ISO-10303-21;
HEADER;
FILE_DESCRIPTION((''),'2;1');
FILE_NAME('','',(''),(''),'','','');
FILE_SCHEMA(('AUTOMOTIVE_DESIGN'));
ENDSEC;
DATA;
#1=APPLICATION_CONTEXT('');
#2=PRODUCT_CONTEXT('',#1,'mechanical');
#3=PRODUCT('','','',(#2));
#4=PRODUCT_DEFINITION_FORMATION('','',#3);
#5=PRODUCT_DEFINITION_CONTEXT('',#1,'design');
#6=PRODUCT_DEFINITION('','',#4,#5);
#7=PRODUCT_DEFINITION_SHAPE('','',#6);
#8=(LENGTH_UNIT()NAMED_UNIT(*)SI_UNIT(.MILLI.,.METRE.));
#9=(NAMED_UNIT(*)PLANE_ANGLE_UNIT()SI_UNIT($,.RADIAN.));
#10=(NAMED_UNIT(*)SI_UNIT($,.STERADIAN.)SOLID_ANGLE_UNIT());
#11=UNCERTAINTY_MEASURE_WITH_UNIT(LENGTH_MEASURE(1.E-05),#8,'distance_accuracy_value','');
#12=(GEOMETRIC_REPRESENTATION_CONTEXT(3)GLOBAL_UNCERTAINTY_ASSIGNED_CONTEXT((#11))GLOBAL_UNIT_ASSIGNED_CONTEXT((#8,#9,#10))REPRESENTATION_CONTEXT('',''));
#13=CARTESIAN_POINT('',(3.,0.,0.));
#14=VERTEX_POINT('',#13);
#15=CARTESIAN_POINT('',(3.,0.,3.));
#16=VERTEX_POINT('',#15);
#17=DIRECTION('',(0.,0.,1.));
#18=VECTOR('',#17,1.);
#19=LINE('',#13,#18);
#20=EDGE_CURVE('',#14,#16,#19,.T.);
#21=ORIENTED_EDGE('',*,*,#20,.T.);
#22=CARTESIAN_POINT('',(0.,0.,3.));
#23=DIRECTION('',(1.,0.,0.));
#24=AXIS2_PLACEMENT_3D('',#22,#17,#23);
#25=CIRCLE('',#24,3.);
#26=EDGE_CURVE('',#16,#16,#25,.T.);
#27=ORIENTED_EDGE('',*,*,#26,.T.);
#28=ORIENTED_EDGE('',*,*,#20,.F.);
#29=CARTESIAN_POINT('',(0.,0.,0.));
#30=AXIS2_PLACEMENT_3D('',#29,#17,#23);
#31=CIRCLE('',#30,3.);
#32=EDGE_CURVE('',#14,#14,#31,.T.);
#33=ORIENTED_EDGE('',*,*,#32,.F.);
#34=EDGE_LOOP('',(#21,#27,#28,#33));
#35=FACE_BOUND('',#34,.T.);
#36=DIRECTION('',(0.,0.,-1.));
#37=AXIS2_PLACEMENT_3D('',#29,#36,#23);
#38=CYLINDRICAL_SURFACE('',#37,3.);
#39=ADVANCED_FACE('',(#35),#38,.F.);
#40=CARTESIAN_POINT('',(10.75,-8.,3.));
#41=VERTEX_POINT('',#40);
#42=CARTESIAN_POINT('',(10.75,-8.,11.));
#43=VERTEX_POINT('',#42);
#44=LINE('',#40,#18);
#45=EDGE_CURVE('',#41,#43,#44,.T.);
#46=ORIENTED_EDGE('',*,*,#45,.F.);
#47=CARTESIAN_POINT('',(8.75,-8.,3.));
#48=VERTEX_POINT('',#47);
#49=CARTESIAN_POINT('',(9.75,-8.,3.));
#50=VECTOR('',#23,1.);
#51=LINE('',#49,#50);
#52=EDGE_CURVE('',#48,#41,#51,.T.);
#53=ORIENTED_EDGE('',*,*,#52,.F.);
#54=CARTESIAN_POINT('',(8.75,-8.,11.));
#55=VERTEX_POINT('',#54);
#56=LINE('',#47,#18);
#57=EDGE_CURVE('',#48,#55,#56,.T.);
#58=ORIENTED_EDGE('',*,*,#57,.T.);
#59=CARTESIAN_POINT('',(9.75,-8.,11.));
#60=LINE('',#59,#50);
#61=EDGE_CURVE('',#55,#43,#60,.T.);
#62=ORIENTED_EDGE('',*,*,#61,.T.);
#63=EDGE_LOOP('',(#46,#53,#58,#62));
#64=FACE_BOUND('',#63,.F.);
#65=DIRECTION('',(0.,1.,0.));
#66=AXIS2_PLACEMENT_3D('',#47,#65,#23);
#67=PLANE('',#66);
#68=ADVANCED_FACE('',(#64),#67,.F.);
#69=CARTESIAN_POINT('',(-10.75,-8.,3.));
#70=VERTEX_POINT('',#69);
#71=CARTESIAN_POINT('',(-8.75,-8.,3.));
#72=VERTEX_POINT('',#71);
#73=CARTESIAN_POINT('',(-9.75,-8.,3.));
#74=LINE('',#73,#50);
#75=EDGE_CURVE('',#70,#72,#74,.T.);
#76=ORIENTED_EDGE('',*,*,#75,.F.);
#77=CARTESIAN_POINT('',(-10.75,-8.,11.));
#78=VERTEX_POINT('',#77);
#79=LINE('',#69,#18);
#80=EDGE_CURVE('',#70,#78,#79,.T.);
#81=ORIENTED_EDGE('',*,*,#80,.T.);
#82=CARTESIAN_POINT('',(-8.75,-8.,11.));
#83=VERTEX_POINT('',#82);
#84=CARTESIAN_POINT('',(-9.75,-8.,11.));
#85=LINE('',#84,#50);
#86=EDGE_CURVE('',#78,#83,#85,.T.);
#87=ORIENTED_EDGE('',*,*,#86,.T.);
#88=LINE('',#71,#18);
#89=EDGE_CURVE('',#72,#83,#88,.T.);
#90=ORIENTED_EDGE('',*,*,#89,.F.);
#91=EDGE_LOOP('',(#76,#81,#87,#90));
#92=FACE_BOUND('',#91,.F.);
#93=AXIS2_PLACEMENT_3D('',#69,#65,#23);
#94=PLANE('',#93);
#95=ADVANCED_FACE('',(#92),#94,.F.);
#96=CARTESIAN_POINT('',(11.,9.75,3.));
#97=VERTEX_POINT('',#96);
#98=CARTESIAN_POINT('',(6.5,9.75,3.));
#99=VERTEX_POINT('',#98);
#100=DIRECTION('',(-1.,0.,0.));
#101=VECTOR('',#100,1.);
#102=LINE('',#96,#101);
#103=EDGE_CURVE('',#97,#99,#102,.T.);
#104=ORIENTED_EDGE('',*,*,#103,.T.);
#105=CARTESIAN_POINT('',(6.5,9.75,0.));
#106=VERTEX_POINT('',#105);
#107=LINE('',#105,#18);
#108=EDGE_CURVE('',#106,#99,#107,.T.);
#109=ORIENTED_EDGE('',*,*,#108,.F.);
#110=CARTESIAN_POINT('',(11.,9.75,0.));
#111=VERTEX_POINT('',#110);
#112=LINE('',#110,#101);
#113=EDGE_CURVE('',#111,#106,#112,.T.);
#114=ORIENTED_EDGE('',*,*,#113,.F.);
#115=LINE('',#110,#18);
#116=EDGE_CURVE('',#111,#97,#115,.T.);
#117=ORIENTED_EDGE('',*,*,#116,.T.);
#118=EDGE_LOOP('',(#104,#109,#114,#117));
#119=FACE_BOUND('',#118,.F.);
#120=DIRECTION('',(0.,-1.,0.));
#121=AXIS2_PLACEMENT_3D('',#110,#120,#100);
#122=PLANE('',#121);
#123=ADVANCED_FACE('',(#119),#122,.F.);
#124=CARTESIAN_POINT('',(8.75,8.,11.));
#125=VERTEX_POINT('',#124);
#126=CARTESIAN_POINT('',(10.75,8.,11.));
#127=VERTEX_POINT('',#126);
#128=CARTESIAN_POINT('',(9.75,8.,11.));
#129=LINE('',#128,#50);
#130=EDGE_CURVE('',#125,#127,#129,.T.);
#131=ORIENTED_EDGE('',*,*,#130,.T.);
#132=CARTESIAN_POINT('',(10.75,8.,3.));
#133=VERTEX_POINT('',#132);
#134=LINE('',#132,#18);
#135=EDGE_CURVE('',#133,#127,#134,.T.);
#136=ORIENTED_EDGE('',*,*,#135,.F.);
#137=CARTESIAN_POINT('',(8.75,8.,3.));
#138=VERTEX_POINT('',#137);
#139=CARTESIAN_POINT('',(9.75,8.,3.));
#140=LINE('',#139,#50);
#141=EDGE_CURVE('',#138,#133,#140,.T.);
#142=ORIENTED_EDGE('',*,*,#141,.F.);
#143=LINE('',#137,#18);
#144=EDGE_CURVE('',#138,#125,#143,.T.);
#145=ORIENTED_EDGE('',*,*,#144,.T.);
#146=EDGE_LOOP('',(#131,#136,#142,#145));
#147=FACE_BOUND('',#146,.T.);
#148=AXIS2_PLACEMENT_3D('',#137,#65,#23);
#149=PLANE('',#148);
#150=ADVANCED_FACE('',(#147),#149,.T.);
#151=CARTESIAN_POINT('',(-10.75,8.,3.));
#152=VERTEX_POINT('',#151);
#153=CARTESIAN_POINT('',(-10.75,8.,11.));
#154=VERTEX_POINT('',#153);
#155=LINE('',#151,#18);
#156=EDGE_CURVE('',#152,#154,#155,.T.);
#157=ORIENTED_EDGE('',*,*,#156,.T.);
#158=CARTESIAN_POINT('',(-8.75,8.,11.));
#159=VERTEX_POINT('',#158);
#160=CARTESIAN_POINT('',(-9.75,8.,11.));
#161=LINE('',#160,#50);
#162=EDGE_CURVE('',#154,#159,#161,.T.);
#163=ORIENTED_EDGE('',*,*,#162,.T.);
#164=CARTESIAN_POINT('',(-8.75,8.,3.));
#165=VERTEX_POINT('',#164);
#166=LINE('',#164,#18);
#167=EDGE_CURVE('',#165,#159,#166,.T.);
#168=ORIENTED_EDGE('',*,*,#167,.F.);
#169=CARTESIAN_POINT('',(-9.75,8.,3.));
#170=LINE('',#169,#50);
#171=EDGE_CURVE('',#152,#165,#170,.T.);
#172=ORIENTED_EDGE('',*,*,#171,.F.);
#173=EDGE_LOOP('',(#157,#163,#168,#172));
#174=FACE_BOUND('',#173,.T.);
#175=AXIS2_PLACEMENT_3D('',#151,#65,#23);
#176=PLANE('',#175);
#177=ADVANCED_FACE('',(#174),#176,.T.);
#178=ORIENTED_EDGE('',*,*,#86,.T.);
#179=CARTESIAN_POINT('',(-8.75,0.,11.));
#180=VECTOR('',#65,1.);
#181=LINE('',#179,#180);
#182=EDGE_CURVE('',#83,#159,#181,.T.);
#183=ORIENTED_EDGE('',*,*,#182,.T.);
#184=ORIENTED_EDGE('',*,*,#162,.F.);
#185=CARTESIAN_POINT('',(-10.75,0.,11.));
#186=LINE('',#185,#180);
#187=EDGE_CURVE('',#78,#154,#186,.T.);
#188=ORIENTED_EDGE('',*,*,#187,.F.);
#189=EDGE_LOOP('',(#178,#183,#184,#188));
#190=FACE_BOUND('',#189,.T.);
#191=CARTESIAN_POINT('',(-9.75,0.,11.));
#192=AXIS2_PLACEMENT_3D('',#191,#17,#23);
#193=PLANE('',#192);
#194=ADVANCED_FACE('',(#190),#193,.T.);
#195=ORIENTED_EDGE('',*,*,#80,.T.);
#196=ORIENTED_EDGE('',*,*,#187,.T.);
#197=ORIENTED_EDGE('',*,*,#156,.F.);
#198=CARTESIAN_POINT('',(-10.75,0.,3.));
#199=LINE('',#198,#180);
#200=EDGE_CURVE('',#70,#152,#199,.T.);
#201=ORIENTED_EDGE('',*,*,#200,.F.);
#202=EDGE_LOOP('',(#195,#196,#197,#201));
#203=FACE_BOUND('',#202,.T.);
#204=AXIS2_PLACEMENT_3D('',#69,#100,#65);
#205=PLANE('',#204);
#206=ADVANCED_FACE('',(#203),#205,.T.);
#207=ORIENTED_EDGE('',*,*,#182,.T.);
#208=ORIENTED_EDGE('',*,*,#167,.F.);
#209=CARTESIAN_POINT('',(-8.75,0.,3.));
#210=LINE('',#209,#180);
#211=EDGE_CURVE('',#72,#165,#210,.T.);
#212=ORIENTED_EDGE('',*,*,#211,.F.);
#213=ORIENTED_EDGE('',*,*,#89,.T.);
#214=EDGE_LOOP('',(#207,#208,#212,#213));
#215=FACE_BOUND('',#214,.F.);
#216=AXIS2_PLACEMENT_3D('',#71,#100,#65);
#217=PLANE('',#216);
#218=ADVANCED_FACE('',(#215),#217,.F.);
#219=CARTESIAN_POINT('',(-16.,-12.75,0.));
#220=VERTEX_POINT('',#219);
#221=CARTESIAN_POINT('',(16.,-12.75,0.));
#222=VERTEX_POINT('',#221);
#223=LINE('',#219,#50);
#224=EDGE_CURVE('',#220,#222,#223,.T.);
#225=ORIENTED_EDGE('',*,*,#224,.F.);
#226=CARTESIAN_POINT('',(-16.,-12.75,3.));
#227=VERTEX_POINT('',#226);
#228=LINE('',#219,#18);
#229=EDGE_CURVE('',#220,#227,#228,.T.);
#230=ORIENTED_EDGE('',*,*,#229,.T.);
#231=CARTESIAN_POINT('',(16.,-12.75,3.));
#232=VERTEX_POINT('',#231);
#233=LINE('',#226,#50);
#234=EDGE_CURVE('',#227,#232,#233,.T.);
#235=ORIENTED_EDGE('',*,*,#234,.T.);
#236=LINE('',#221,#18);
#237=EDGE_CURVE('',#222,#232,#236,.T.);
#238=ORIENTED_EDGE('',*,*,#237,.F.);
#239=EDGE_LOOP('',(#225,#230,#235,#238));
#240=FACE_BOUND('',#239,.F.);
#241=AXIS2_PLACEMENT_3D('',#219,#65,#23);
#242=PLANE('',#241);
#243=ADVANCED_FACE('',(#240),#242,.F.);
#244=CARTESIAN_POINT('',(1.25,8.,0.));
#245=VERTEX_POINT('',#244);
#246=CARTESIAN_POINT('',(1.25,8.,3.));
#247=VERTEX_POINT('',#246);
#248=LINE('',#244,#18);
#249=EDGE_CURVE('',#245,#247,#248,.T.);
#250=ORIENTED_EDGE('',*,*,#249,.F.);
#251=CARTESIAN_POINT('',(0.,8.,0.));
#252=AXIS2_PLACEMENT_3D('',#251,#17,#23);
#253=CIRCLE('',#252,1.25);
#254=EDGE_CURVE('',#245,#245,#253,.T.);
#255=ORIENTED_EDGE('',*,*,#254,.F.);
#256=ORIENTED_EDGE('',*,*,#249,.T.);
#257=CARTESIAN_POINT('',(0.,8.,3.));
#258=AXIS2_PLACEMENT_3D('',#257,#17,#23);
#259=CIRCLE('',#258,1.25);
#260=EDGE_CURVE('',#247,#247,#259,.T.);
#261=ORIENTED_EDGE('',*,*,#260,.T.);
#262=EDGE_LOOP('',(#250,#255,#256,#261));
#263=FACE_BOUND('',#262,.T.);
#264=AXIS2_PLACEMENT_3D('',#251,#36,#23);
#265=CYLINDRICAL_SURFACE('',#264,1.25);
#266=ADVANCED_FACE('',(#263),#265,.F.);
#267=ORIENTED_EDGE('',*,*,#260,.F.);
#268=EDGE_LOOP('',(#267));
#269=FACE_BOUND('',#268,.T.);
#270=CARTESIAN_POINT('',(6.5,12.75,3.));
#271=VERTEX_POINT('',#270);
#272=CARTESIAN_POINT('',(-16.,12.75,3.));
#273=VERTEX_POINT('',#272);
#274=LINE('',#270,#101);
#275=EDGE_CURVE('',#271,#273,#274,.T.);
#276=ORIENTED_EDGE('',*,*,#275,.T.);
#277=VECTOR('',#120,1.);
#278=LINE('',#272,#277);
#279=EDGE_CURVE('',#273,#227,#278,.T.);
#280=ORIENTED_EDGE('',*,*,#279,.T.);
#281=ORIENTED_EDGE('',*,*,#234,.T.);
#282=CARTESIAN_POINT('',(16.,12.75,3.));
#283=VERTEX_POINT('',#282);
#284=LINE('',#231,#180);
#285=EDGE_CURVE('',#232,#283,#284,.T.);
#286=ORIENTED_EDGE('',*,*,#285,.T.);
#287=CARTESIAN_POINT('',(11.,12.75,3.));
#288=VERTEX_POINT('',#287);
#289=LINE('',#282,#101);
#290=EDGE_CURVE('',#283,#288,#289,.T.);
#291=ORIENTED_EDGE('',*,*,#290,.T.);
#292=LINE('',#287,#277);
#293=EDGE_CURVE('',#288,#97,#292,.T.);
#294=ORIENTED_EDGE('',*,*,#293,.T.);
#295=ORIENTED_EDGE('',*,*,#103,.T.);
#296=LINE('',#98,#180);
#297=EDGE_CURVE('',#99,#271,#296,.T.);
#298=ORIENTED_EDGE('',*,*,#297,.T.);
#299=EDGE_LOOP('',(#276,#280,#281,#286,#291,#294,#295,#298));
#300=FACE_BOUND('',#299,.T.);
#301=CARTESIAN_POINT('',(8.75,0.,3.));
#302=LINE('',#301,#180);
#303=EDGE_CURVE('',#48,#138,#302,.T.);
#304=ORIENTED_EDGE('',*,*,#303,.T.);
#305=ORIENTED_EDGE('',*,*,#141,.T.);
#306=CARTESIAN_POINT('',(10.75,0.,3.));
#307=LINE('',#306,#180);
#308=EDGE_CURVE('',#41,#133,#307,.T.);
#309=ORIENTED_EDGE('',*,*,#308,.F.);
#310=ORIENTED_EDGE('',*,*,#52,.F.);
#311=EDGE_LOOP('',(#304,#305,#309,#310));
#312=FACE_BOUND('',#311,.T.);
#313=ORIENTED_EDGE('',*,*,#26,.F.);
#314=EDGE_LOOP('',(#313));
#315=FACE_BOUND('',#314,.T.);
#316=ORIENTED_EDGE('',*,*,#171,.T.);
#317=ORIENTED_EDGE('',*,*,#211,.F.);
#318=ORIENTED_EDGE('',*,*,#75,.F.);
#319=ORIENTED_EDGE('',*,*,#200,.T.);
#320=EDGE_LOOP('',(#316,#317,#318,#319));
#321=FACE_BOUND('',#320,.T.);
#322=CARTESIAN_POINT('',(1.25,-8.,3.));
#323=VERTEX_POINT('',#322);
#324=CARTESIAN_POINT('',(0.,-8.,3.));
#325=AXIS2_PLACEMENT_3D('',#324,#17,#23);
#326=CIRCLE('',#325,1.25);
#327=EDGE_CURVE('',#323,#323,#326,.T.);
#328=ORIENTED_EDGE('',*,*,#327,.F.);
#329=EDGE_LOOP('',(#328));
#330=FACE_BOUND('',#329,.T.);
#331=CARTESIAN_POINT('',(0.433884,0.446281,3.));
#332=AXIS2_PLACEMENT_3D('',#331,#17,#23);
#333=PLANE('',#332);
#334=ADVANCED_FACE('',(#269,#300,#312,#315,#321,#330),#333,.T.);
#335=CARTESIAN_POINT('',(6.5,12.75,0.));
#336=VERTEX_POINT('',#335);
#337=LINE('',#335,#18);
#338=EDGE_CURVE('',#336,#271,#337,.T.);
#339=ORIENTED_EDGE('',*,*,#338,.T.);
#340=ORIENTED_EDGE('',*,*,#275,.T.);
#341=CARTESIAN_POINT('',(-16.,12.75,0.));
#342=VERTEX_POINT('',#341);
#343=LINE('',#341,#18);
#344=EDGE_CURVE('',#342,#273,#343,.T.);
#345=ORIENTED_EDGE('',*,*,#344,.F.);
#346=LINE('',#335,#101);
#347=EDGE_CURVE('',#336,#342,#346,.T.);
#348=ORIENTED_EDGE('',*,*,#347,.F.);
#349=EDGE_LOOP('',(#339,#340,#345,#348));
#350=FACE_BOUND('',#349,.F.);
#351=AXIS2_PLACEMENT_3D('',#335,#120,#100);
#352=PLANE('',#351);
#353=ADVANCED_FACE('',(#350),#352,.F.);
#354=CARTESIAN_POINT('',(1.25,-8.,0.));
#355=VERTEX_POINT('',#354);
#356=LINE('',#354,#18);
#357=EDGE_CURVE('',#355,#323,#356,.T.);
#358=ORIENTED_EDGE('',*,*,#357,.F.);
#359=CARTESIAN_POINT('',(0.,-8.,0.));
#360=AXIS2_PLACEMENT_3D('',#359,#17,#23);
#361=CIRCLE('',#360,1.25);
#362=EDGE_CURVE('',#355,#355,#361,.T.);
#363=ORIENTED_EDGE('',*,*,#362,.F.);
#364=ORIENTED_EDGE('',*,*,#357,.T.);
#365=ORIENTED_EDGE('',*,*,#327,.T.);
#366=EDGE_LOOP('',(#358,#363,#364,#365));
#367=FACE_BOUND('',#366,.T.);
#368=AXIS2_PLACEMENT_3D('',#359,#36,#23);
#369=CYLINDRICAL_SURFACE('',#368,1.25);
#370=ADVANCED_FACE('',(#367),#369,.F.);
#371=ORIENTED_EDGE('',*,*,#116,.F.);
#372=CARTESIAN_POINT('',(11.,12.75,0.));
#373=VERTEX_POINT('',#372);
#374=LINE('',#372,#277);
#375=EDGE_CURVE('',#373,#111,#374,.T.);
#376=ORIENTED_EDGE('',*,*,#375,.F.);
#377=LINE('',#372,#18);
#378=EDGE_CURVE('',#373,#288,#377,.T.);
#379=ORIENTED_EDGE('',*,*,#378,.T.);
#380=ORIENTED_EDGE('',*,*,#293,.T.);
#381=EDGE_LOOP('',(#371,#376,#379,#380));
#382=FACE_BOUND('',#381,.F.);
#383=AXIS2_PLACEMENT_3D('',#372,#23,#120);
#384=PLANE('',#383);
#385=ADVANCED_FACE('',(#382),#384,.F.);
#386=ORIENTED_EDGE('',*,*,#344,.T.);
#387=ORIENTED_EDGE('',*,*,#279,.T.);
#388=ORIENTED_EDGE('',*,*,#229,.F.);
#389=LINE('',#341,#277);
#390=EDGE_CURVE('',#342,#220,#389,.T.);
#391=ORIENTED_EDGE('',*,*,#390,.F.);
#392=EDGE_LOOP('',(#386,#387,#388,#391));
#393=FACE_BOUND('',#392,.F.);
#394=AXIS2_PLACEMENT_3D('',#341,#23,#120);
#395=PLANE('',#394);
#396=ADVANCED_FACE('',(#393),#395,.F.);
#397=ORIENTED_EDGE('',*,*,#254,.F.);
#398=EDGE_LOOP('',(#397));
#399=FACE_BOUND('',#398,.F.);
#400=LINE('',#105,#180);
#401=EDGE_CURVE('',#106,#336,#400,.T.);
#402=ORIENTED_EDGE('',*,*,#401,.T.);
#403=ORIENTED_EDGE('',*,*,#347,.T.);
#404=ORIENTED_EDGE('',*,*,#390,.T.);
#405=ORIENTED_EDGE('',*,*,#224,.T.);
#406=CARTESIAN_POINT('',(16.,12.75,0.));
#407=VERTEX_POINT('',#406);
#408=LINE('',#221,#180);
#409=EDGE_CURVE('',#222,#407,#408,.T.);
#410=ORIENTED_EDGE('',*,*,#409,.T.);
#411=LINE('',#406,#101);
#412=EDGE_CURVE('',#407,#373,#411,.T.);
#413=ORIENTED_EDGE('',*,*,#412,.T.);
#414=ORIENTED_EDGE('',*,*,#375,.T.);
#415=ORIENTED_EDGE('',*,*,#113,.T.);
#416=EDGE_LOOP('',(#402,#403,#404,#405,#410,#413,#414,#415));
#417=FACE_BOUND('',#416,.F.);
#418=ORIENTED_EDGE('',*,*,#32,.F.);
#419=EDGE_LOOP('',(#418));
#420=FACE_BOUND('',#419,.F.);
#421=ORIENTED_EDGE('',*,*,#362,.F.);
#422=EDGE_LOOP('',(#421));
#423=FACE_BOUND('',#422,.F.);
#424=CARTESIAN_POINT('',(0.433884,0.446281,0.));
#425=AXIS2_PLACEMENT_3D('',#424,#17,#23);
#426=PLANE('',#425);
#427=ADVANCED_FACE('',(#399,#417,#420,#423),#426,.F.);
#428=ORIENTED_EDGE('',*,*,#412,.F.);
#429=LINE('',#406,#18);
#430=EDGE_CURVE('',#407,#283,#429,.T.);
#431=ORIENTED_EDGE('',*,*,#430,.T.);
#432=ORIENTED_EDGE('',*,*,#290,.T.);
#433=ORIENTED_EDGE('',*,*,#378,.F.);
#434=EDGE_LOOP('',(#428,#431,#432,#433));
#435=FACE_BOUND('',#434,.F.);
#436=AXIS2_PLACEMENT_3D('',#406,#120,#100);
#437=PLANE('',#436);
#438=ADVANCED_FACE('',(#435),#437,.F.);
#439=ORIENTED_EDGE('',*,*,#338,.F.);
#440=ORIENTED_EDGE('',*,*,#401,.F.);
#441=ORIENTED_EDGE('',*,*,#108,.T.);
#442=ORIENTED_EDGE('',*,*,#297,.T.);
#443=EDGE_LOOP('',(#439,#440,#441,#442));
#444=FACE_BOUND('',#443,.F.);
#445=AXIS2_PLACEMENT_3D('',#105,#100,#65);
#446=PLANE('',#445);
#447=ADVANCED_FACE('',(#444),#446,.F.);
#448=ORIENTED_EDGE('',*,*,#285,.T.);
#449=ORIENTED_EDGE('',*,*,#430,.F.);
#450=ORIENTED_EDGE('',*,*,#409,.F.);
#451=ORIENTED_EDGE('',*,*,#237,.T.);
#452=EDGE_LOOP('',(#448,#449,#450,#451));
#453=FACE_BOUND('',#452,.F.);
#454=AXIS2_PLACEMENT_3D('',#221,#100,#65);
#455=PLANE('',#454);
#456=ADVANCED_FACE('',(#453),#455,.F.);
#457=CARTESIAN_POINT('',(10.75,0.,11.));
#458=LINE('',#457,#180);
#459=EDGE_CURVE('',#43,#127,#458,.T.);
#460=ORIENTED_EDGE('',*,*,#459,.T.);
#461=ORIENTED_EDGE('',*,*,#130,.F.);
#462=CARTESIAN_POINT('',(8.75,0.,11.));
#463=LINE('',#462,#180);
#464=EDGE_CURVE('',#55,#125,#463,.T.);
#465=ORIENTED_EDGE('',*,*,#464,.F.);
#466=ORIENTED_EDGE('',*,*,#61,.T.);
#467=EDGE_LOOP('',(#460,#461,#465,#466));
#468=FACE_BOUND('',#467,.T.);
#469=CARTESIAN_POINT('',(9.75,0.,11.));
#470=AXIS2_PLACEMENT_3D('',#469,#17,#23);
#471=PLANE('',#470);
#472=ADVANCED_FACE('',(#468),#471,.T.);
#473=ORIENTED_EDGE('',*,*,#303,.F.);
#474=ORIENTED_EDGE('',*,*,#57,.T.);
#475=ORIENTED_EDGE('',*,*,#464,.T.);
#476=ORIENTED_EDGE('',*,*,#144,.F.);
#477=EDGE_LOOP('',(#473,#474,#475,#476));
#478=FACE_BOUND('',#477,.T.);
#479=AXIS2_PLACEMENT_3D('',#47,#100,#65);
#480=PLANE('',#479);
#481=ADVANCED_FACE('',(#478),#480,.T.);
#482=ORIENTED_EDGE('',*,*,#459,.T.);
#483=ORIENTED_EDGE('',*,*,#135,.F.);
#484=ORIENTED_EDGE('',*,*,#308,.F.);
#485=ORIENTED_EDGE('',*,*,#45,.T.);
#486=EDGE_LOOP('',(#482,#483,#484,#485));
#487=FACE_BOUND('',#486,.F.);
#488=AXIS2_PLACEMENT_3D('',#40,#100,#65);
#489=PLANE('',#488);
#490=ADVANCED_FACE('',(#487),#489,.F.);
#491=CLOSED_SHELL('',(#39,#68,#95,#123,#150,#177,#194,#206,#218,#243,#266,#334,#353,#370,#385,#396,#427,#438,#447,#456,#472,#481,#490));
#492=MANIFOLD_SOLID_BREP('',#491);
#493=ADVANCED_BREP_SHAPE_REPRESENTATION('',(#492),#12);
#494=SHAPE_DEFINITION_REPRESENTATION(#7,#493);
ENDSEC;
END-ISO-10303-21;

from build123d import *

# Parameters (mm, degrees)
F0_R     = 1.25
F0_R_2   = 3
F1_DEPTH = 3
F2_W     = 2
F2_H     = 16
F3_DEPTH = 8


with BuildPart() as f1:
    # F0 (on Top) → F1 (new body)
    with BuildSketch(Plane.XY):
        Polygon((16, -12.75), (16, 12.75), (11, 12.75), (11, 9.75), (6.5, 9.75), (6.5, 12.75), (-16, 12.75), (-16, -12.75), align=None)
        with Locations((0, -8)):
            Circle(F0_R, mode=Mode.SUBTRACT)
        Circle(F0_R_2, mode=Mode.SUBTRACT)
        with Locations((0, 8)):
            Circle(F0_R, mode=Mode.SUBTRACT)
    extrude(amount=F1_DEPTH)

    # F2 (on face) → F3 (join)
    with BuildSketch(Plane.XY.offset(3)):
        with Locations((-9.75, 0)):
            Rectangle(F2_W, F2_H)
        with Locations((9.75, 0)):
            Rectangle(F2_W, F2_H)
    extrude(amount=F3_DEPTH)


solid = f1.part
